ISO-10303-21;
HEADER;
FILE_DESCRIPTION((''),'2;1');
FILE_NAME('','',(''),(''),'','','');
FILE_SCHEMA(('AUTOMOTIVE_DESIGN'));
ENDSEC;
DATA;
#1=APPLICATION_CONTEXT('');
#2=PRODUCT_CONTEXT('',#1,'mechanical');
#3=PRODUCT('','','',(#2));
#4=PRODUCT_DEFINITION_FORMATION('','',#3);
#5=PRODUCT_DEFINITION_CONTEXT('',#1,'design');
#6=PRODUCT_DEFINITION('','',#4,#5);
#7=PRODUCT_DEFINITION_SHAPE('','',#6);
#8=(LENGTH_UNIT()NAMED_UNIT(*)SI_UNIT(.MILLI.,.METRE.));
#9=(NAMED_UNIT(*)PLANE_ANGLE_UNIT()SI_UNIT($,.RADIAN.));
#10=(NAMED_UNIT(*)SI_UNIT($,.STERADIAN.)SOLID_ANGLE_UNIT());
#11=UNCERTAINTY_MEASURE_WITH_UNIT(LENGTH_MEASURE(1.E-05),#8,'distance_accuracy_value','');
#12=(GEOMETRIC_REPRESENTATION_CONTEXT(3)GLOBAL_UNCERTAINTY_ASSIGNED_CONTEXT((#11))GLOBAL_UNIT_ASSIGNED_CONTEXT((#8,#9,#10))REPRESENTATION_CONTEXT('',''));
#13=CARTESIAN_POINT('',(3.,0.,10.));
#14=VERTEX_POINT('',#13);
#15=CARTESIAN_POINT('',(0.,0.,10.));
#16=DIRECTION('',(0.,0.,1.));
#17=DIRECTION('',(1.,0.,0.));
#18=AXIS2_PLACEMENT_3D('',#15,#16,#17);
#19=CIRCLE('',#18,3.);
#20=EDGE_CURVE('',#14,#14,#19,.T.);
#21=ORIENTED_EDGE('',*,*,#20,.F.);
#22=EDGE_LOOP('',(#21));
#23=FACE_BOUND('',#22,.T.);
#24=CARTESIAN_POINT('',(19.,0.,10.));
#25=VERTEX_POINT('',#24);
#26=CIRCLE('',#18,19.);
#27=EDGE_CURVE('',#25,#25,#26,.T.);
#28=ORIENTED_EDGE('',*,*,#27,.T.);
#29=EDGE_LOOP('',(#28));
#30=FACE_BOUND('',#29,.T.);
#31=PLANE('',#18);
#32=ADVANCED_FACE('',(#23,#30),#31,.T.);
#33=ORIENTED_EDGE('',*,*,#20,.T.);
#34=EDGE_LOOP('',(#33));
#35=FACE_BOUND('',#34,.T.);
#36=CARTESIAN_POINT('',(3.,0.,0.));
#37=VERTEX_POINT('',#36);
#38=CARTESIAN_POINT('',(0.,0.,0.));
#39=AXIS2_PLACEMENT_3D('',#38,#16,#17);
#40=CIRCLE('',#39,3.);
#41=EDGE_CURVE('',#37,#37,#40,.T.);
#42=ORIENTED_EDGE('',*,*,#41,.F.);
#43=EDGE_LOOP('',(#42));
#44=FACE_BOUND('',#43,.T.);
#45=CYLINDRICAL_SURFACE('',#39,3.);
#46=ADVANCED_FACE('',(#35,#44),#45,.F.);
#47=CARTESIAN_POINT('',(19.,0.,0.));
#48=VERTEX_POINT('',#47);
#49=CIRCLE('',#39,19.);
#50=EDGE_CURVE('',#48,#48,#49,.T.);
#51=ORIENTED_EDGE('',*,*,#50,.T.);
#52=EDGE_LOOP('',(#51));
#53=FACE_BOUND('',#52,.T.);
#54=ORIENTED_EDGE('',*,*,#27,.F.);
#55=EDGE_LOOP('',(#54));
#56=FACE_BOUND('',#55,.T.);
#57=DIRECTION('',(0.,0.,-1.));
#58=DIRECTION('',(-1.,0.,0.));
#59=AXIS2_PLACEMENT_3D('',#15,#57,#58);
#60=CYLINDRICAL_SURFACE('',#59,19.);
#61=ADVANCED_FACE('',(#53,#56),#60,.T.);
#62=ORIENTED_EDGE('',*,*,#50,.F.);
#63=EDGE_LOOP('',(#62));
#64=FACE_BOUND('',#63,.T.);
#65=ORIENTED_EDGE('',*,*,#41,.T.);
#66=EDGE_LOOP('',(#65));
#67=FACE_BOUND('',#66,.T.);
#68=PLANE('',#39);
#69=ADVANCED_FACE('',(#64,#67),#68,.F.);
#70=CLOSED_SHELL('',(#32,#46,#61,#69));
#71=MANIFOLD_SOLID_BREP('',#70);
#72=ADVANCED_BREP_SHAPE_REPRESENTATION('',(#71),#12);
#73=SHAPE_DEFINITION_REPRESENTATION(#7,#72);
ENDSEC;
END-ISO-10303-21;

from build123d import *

# Parameters (mm, degrees)
SKETCH_1_R          = 19
EXTRUDE_1_DEPTH     = 10
SKETCH_2_R          = 3
CUT_EXTRUDE_1_DEPTH = 10


with BuildPart() as part:
    # 草图1 → 凸台-拉伸1 (new body)
    with BuildSketch(Plane.XY):
        Circle(SKETCH_1_R)
    extrude(amount=EXTRUDE_1_DEPTH)

    # 草图2 → 切除-拉伸1 (cut)
    with BuildSketch(Plane.XY.offset(10)):
        Circle(SKETCH_2_R)
    extrude(amount=-CUT_EXTRUDE_1_DEPTH, mode=Mode.SUBTRACT)


solid = part.part
